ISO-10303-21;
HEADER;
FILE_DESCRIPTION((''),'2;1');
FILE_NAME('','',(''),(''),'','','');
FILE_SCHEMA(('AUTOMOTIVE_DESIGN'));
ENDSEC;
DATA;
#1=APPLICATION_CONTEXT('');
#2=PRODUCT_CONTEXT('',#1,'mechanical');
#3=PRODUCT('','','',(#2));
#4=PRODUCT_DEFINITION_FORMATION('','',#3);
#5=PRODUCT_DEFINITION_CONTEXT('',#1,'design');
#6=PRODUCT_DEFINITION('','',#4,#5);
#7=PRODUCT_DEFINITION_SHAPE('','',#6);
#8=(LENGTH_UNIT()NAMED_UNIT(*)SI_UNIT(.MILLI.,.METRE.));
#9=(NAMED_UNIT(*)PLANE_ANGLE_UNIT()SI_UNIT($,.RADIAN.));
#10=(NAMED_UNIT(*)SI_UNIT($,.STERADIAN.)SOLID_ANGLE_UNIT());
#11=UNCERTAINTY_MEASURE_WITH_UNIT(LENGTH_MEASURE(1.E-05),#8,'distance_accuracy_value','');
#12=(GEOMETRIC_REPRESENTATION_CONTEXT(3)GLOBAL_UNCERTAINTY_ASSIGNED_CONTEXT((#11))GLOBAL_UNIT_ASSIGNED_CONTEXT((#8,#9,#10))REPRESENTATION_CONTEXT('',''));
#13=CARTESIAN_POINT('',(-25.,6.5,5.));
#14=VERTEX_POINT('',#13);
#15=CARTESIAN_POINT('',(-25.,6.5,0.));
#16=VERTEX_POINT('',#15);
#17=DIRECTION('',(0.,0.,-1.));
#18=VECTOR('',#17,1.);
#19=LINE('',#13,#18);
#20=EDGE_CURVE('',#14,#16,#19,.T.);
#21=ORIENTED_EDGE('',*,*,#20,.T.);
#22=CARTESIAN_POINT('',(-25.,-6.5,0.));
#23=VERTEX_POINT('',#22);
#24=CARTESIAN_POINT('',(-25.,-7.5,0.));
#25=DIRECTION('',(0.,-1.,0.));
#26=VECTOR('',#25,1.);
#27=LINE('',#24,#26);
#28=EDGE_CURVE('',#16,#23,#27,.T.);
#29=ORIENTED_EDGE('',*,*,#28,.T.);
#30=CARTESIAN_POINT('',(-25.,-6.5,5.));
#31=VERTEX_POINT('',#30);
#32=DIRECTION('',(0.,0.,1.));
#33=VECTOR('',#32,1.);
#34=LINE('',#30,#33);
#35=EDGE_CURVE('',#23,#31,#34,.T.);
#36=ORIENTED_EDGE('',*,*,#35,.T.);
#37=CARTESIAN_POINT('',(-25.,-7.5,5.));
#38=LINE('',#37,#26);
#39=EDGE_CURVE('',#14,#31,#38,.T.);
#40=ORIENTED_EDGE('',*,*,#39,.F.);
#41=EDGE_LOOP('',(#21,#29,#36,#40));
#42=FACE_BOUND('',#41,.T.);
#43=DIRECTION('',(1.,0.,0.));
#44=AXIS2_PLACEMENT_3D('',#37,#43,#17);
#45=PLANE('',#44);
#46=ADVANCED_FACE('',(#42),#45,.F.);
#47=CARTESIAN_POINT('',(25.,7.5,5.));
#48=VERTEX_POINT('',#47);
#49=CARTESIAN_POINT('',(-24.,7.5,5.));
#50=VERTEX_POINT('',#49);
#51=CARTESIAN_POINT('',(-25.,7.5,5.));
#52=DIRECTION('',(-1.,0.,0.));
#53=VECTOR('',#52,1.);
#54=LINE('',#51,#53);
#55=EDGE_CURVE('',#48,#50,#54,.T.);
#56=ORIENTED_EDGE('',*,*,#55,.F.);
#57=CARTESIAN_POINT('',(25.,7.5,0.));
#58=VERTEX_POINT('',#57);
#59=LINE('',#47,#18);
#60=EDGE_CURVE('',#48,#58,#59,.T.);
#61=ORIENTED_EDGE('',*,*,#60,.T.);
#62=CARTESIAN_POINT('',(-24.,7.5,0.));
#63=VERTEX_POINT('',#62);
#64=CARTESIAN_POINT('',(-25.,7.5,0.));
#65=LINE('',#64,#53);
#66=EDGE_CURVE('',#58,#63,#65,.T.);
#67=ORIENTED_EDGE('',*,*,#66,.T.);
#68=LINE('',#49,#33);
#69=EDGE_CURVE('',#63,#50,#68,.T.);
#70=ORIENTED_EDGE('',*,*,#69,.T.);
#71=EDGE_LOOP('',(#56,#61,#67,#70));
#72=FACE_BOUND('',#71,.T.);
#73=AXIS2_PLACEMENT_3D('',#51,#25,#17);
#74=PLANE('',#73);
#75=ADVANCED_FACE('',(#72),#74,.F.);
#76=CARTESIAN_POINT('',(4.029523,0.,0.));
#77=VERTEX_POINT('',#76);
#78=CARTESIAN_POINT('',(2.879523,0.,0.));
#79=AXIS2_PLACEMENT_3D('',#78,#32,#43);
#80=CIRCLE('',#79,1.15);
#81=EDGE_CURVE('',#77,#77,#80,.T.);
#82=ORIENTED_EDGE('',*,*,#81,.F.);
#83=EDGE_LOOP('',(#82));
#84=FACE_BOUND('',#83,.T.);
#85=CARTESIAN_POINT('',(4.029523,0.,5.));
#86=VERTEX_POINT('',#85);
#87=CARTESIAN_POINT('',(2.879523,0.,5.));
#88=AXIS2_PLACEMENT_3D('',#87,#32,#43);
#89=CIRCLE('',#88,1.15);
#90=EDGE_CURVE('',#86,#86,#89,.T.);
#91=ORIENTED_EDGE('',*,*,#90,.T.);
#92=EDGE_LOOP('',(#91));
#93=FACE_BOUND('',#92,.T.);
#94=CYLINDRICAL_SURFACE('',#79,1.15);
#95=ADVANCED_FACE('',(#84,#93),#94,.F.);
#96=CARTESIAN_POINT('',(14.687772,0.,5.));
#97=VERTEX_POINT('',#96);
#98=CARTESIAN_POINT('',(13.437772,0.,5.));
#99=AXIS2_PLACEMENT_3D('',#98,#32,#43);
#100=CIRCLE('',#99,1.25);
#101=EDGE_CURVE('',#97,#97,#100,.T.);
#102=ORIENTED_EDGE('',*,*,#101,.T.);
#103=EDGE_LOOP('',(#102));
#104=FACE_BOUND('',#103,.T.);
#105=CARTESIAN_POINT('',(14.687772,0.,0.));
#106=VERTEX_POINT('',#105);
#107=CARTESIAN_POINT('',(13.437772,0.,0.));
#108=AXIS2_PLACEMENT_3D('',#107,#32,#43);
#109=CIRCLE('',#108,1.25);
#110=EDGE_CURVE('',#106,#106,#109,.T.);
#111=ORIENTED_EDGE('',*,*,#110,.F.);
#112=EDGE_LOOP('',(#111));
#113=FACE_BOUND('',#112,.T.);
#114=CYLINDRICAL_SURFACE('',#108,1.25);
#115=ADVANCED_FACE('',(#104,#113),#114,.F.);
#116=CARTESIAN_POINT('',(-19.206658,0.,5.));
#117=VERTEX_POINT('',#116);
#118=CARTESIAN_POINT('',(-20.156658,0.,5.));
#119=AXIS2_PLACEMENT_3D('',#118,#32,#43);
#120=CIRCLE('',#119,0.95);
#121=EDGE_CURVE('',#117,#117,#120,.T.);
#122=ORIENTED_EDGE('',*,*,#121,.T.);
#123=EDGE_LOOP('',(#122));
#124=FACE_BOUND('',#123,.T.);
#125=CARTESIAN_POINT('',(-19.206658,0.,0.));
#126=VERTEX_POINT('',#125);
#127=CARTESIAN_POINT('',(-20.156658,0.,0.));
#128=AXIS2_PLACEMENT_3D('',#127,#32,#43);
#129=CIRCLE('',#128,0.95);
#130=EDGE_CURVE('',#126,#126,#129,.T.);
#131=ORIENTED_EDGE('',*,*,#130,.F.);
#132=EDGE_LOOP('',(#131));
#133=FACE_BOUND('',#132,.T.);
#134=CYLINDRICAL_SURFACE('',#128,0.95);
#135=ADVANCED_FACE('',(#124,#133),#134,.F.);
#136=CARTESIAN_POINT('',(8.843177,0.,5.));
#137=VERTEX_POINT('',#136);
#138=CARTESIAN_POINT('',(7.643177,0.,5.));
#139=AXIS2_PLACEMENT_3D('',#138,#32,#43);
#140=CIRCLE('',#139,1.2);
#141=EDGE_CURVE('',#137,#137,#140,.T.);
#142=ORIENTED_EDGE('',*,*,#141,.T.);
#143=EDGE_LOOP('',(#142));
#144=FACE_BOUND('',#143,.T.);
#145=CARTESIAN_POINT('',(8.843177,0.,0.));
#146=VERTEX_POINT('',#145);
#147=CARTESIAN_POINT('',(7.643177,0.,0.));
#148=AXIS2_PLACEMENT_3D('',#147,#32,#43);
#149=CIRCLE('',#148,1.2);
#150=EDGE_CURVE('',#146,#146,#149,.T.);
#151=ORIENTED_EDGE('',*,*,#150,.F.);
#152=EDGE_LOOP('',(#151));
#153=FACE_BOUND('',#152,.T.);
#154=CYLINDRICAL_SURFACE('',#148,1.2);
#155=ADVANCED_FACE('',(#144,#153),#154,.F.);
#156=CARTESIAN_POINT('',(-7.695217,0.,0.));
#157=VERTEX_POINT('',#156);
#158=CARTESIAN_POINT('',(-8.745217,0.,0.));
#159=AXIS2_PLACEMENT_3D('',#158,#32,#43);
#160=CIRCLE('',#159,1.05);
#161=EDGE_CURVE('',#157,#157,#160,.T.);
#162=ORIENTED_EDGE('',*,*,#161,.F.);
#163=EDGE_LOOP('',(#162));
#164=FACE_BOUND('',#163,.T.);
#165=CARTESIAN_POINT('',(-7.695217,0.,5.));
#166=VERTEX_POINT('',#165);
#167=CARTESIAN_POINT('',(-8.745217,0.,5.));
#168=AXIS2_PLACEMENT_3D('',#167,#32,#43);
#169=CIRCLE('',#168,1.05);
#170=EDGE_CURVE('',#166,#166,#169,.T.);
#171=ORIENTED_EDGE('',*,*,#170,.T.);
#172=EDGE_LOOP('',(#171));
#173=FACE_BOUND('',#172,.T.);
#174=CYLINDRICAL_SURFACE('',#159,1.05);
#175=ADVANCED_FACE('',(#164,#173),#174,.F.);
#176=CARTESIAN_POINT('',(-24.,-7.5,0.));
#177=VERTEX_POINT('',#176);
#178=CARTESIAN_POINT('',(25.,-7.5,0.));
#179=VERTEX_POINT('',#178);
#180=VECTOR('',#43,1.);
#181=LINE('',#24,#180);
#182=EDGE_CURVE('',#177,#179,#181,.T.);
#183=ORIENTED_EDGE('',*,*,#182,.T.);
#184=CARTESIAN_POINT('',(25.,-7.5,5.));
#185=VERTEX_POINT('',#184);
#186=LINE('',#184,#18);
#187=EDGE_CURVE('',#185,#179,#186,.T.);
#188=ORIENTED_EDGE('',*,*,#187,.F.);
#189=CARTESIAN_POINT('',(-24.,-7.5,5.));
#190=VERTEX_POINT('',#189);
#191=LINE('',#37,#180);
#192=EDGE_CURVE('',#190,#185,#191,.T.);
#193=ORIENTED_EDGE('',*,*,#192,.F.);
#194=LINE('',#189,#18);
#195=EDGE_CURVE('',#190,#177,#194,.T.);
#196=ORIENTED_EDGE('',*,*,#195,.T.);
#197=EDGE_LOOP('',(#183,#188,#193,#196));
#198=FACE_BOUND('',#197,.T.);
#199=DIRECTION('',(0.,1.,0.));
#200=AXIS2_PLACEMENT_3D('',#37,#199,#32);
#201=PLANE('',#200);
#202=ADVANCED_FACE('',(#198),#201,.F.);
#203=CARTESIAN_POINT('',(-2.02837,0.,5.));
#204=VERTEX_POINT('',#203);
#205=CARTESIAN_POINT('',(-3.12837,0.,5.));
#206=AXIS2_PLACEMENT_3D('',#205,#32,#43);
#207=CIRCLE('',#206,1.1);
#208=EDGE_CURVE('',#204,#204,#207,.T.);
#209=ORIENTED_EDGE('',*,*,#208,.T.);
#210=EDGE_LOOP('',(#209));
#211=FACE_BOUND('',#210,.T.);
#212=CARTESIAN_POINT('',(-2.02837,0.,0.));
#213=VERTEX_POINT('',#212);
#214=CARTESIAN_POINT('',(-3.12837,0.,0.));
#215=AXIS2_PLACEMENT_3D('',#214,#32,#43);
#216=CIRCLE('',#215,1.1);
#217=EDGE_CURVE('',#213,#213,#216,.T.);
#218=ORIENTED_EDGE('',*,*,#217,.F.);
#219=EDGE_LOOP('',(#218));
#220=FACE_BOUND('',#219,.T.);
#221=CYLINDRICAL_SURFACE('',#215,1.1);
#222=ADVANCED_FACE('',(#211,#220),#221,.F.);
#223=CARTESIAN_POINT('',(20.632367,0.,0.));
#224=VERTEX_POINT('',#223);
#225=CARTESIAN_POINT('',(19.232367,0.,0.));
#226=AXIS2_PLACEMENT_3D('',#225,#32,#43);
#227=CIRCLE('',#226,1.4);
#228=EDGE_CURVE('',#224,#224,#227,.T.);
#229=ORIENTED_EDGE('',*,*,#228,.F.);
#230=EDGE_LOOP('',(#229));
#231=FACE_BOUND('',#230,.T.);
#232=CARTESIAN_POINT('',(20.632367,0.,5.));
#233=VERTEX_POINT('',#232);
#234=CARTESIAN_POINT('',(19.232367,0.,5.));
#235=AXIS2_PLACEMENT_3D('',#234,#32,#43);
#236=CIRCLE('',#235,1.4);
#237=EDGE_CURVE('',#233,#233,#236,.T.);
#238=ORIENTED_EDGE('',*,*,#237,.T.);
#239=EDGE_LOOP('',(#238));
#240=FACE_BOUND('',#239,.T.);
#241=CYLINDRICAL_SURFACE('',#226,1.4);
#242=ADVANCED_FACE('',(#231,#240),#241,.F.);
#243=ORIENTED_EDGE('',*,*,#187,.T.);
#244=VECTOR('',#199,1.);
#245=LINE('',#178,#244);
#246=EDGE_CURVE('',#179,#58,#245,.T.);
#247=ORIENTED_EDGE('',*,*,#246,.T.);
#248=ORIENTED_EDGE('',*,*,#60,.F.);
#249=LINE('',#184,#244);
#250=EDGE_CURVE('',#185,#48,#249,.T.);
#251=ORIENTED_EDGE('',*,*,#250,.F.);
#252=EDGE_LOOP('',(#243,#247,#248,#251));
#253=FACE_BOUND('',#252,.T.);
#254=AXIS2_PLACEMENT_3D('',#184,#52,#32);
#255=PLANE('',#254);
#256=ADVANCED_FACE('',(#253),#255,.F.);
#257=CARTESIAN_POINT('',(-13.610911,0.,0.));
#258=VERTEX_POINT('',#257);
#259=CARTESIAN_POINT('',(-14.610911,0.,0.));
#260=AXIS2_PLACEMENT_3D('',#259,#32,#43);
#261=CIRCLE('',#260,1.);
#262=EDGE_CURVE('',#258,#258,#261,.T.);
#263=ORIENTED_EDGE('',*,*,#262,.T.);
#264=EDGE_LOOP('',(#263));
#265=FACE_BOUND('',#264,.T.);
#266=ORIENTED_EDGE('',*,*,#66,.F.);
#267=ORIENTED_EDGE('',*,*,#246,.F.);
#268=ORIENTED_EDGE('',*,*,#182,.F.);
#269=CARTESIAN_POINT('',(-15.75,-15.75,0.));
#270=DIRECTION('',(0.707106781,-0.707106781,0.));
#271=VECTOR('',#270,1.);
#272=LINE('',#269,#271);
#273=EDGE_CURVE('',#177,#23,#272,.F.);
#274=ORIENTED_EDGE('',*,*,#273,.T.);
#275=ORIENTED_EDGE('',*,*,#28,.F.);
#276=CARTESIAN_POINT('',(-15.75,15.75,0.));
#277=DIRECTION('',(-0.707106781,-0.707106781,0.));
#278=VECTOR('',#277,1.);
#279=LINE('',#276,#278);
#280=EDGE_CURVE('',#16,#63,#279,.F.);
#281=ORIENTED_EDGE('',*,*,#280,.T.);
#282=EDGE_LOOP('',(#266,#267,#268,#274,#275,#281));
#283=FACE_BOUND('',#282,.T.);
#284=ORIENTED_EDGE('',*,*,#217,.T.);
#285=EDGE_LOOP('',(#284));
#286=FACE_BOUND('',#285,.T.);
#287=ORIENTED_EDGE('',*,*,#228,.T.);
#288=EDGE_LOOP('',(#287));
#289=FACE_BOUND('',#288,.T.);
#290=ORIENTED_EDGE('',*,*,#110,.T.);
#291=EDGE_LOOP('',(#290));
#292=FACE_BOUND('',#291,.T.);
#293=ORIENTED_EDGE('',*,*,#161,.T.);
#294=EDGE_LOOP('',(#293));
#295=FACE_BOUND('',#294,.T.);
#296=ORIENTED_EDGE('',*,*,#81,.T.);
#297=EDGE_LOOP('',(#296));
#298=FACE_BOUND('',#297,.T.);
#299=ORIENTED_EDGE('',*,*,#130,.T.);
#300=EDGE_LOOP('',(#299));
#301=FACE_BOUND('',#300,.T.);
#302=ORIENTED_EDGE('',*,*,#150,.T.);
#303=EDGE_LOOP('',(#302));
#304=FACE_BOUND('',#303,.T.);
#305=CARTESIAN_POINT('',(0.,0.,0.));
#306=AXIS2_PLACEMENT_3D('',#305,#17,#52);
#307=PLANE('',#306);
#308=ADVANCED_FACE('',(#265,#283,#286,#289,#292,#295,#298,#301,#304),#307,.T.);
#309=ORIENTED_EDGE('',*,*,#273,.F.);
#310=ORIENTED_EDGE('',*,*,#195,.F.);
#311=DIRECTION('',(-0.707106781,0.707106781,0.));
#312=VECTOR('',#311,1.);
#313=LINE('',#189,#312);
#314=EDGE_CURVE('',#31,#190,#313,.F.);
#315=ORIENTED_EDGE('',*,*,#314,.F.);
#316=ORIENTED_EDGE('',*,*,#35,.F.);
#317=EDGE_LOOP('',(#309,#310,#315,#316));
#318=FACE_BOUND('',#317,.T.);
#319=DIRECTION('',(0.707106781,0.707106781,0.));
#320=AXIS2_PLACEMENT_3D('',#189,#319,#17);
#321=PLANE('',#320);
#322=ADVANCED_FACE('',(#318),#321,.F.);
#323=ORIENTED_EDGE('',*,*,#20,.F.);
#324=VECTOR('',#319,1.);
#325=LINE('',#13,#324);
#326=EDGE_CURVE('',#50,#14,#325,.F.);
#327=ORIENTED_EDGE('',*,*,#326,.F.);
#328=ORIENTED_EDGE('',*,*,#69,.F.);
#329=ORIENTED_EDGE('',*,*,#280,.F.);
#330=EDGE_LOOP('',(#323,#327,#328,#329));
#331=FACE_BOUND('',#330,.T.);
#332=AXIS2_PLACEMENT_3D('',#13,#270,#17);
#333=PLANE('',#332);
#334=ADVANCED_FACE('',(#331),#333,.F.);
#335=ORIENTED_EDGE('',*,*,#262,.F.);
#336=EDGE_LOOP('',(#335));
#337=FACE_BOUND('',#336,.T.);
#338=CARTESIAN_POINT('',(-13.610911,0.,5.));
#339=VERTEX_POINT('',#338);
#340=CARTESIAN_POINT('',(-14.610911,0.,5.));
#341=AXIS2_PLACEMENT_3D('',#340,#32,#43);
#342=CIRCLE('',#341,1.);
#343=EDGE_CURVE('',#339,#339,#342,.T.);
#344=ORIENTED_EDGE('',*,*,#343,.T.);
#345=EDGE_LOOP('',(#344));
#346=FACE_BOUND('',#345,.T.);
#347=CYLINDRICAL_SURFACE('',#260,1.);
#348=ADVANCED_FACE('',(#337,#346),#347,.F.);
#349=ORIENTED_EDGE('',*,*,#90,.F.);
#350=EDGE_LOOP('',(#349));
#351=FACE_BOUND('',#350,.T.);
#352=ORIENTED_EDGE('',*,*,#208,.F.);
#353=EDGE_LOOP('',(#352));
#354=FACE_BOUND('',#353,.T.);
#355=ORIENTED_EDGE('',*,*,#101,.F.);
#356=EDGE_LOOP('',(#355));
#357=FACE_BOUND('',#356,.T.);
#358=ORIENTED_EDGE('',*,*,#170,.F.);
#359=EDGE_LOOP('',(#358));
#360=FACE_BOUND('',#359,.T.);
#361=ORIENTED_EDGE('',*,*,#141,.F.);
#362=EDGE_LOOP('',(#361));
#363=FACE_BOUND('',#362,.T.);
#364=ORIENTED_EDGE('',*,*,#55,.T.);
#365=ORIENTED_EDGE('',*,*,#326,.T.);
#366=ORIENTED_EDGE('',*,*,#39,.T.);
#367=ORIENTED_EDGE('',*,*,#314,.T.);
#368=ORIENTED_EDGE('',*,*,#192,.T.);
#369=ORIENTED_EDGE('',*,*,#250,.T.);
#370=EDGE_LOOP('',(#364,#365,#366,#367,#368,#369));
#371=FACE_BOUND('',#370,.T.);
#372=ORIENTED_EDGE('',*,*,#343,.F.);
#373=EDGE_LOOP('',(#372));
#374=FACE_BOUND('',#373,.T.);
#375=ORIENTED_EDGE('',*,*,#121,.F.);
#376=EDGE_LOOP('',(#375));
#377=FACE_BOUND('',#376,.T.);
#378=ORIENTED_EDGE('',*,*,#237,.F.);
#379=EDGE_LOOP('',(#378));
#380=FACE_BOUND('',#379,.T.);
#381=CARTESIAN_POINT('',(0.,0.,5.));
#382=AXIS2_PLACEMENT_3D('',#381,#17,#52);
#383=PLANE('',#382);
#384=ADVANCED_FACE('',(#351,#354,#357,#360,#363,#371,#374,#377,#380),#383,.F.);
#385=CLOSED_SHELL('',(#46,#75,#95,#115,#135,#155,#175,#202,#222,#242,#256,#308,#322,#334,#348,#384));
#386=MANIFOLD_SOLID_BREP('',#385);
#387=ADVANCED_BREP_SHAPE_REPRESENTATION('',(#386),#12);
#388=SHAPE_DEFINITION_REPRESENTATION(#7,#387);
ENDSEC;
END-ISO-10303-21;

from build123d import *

# Parameters (mm, degrees)
SKETCH1_W           = 50
SKETCH1_H           = 15
BOSS_EXTRUDE1_DEPTH = 5
SKETCH2_R           = 0.95
SKETCH2_R_2         = 1
SKETCH2_R_3         = 1.05
SKETCH2_R_4         = 1.1
SKETCH2_R_5         = 1.15
SKETCH2_R_6         = 1.2
SKETCH2_R_7         = 1.25
SKETCH2_R_8         = 1.4
CUT_EXTRUDE1_DEPTH  = 6
CHAMFER1_SIZE       = 1


with BuildPart() as part:
    # Sketch1 → Boss-Extrude1 (new body)
    with BuildSketch(Plane.XY):
        Rectangle(SKETCH1_W, SKETCH1_H)
    extrude(amount=BOSS_EXTRUDE1_DEPTH)

    # Sketch2 → Cut-Extrude1 (cut, through all)
    with BuildSketch(Plane.XY.offset(5)):
        with Locations((-20.156657813, 0)):
            Circle(SKETCH2_R)
        with Locations((-14.61091069, 0)):
            Circle(SKETCH2_R_2)
        with Locations((-8.745216617, 0)):
            Circle(SKETCH2_R_3)
        with Locations((-3.128370172, 0)):
            Circle(SKETCH2_R_4)
        with Locations((2.879522545, 0)):
            Circle(SKETCH2_R_5)
        with Locations((7.643177125, 0)):
            Circle(SKETCH2_R_6)
        with Locations((13.437771876, 0)):
            Circle(SKETCH2_R_7)
        with Locations((19.232366626, 0)):
            Circle(SKETCH2_R_8)
    extrude(amount=-CUT_EXTRUDE1_DEPTH, mode=Mode.SUBTRACT)

    # Chamfer1
    chamfer1_edges = [part.edges().sort_by_distance(p)[0] for p in [
        (-25, -7.5, 2.5),
        (-25, 7.5, 2.5),
    ]]
    chamfer(chamfer1_edges, length=CHAMFER1_SIZE)


solid = part.part
